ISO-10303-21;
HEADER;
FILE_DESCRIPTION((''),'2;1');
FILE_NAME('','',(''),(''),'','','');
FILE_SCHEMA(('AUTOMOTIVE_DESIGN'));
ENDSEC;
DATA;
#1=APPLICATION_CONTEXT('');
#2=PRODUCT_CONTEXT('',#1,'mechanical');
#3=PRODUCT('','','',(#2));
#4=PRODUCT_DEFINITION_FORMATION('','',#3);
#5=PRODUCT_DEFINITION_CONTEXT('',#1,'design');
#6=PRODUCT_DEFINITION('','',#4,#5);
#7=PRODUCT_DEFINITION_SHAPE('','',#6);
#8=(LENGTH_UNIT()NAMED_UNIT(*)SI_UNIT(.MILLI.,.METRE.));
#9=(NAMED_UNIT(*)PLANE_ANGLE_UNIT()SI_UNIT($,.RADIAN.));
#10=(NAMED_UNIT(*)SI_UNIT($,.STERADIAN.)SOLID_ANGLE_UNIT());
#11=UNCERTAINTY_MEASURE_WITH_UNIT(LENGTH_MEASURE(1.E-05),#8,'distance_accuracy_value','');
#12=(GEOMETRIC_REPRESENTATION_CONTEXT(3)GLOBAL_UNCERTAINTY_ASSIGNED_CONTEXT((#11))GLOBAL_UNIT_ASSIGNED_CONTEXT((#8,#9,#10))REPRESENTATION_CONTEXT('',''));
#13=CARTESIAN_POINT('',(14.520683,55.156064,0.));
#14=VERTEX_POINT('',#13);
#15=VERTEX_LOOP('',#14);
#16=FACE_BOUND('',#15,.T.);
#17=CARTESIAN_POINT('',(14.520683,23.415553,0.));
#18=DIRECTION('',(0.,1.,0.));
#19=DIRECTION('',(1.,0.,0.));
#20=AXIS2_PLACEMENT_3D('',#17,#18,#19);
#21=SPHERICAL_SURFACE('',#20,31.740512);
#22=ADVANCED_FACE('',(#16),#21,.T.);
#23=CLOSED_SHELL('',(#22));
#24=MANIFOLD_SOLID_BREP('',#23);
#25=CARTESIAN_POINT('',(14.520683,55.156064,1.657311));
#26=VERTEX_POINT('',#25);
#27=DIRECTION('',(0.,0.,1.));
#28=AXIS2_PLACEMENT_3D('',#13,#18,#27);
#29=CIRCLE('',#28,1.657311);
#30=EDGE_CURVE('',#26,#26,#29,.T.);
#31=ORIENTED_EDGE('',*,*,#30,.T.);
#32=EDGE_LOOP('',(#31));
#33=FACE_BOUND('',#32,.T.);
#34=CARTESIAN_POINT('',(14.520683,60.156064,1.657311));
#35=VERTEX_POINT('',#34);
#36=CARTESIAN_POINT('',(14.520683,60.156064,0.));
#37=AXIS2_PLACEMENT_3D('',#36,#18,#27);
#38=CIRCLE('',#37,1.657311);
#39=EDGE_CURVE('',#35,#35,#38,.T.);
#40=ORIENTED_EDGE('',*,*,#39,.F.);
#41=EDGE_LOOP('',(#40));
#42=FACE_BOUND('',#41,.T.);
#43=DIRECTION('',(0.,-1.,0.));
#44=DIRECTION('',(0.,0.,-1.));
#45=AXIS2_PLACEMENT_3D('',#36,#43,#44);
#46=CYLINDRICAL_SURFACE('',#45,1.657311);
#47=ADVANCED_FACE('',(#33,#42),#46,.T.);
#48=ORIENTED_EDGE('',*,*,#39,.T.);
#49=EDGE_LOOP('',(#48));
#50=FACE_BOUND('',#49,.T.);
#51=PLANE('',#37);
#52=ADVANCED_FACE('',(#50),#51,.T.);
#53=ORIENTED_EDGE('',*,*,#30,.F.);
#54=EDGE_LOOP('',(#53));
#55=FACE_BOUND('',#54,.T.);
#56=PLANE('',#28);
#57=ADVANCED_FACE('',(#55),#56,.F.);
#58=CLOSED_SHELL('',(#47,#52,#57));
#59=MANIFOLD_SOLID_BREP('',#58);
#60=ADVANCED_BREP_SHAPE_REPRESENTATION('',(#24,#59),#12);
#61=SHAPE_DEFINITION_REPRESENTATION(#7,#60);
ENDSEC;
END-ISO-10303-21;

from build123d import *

# Parameters (mm, degrees)
SKETCH3_R           = 1.657311133
BOSS_EXTRUDE1_DEPTH = 5


with BuildPart() as part:
    # Sketch2 → Revolve6 (revolve)
    with BuildSketch(Plane.XY):
        with BuildLine():
            Line((14.520682521, 55.156064241), (14.520682521, -8.324959104))
            ThreePointArc((14.520682521, -8.324959104), (-17.219829152, 23.415552568), (14.520682521, 55.156064241))
        make_face()
    revolve(axis=Axis((14.520682521, 55.156064241, 0), (0, -1, 0)))


with BuildPart() as body_2:
    # Sketch3 → Boss-Extrude1 (new body)
    with BuildSketch(Plane(origin=(0, 55.156064241, 0), x_dir=(1, 0, 0), z_dir=(0, 1, 0))):
        with Locations((14.520682521, 0)):
            Circle(SKETCH3_R)
    extrude(amount=BOSS_EXTRUDE1_DEPTH)


solid = Compound([part.part, body_2.part])
